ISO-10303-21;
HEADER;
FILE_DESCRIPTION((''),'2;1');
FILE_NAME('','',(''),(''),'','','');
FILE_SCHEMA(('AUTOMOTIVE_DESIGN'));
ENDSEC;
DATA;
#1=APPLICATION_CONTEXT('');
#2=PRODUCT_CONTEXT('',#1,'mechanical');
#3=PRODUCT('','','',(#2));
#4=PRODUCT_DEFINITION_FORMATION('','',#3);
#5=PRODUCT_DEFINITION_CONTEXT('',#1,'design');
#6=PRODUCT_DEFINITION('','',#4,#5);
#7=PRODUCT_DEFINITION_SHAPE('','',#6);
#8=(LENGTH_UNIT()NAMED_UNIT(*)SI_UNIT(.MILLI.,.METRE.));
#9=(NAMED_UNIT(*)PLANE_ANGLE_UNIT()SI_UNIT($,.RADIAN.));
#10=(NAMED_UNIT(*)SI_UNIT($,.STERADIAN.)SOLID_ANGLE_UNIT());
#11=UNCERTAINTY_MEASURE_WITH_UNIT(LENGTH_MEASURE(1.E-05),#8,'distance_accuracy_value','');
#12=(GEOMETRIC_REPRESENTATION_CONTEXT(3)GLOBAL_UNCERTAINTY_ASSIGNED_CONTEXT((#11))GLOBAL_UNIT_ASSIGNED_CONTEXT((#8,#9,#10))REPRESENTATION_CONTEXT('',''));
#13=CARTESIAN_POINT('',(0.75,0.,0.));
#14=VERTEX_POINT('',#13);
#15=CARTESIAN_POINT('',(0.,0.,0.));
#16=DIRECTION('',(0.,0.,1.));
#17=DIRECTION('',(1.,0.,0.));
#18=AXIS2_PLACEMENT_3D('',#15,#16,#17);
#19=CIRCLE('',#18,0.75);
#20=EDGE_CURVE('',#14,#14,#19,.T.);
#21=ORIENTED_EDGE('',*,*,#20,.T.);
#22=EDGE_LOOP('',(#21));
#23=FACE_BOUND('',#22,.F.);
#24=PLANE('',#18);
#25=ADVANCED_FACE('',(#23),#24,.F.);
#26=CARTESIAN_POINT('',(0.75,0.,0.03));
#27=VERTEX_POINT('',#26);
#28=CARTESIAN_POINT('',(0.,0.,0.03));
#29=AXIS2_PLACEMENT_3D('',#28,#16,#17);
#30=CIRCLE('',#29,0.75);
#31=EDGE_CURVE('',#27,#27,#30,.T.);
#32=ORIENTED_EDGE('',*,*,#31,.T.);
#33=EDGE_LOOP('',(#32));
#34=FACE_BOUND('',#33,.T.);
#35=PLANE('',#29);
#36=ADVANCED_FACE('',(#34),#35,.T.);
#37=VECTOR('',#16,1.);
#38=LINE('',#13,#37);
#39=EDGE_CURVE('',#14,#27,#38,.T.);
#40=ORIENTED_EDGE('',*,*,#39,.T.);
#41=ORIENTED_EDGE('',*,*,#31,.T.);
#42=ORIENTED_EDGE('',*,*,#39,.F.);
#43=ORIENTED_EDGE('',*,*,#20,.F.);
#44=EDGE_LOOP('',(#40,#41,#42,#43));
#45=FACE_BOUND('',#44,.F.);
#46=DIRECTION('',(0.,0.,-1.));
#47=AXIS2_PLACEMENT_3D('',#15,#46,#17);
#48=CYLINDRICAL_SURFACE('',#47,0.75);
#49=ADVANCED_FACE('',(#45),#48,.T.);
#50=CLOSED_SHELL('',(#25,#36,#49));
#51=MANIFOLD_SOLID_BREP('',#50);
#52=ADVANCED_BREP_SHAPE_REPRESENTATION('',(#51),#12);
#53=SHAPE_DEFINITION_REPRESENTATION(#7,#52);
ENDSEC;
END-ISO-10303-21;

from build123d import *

# Parameters (mm, degrees)
CYLINDER_R     = 0.75
CYLINDER_DEPTH = 0.03


with BuildPart() as part:
    # Cylinder → Cylinder (new body)
    with BuildSketch(Plane.XY):
        Circle(CYLINDER_R)
    extrude(amount=CYLINDER_DEPTH)


solid = part.part
